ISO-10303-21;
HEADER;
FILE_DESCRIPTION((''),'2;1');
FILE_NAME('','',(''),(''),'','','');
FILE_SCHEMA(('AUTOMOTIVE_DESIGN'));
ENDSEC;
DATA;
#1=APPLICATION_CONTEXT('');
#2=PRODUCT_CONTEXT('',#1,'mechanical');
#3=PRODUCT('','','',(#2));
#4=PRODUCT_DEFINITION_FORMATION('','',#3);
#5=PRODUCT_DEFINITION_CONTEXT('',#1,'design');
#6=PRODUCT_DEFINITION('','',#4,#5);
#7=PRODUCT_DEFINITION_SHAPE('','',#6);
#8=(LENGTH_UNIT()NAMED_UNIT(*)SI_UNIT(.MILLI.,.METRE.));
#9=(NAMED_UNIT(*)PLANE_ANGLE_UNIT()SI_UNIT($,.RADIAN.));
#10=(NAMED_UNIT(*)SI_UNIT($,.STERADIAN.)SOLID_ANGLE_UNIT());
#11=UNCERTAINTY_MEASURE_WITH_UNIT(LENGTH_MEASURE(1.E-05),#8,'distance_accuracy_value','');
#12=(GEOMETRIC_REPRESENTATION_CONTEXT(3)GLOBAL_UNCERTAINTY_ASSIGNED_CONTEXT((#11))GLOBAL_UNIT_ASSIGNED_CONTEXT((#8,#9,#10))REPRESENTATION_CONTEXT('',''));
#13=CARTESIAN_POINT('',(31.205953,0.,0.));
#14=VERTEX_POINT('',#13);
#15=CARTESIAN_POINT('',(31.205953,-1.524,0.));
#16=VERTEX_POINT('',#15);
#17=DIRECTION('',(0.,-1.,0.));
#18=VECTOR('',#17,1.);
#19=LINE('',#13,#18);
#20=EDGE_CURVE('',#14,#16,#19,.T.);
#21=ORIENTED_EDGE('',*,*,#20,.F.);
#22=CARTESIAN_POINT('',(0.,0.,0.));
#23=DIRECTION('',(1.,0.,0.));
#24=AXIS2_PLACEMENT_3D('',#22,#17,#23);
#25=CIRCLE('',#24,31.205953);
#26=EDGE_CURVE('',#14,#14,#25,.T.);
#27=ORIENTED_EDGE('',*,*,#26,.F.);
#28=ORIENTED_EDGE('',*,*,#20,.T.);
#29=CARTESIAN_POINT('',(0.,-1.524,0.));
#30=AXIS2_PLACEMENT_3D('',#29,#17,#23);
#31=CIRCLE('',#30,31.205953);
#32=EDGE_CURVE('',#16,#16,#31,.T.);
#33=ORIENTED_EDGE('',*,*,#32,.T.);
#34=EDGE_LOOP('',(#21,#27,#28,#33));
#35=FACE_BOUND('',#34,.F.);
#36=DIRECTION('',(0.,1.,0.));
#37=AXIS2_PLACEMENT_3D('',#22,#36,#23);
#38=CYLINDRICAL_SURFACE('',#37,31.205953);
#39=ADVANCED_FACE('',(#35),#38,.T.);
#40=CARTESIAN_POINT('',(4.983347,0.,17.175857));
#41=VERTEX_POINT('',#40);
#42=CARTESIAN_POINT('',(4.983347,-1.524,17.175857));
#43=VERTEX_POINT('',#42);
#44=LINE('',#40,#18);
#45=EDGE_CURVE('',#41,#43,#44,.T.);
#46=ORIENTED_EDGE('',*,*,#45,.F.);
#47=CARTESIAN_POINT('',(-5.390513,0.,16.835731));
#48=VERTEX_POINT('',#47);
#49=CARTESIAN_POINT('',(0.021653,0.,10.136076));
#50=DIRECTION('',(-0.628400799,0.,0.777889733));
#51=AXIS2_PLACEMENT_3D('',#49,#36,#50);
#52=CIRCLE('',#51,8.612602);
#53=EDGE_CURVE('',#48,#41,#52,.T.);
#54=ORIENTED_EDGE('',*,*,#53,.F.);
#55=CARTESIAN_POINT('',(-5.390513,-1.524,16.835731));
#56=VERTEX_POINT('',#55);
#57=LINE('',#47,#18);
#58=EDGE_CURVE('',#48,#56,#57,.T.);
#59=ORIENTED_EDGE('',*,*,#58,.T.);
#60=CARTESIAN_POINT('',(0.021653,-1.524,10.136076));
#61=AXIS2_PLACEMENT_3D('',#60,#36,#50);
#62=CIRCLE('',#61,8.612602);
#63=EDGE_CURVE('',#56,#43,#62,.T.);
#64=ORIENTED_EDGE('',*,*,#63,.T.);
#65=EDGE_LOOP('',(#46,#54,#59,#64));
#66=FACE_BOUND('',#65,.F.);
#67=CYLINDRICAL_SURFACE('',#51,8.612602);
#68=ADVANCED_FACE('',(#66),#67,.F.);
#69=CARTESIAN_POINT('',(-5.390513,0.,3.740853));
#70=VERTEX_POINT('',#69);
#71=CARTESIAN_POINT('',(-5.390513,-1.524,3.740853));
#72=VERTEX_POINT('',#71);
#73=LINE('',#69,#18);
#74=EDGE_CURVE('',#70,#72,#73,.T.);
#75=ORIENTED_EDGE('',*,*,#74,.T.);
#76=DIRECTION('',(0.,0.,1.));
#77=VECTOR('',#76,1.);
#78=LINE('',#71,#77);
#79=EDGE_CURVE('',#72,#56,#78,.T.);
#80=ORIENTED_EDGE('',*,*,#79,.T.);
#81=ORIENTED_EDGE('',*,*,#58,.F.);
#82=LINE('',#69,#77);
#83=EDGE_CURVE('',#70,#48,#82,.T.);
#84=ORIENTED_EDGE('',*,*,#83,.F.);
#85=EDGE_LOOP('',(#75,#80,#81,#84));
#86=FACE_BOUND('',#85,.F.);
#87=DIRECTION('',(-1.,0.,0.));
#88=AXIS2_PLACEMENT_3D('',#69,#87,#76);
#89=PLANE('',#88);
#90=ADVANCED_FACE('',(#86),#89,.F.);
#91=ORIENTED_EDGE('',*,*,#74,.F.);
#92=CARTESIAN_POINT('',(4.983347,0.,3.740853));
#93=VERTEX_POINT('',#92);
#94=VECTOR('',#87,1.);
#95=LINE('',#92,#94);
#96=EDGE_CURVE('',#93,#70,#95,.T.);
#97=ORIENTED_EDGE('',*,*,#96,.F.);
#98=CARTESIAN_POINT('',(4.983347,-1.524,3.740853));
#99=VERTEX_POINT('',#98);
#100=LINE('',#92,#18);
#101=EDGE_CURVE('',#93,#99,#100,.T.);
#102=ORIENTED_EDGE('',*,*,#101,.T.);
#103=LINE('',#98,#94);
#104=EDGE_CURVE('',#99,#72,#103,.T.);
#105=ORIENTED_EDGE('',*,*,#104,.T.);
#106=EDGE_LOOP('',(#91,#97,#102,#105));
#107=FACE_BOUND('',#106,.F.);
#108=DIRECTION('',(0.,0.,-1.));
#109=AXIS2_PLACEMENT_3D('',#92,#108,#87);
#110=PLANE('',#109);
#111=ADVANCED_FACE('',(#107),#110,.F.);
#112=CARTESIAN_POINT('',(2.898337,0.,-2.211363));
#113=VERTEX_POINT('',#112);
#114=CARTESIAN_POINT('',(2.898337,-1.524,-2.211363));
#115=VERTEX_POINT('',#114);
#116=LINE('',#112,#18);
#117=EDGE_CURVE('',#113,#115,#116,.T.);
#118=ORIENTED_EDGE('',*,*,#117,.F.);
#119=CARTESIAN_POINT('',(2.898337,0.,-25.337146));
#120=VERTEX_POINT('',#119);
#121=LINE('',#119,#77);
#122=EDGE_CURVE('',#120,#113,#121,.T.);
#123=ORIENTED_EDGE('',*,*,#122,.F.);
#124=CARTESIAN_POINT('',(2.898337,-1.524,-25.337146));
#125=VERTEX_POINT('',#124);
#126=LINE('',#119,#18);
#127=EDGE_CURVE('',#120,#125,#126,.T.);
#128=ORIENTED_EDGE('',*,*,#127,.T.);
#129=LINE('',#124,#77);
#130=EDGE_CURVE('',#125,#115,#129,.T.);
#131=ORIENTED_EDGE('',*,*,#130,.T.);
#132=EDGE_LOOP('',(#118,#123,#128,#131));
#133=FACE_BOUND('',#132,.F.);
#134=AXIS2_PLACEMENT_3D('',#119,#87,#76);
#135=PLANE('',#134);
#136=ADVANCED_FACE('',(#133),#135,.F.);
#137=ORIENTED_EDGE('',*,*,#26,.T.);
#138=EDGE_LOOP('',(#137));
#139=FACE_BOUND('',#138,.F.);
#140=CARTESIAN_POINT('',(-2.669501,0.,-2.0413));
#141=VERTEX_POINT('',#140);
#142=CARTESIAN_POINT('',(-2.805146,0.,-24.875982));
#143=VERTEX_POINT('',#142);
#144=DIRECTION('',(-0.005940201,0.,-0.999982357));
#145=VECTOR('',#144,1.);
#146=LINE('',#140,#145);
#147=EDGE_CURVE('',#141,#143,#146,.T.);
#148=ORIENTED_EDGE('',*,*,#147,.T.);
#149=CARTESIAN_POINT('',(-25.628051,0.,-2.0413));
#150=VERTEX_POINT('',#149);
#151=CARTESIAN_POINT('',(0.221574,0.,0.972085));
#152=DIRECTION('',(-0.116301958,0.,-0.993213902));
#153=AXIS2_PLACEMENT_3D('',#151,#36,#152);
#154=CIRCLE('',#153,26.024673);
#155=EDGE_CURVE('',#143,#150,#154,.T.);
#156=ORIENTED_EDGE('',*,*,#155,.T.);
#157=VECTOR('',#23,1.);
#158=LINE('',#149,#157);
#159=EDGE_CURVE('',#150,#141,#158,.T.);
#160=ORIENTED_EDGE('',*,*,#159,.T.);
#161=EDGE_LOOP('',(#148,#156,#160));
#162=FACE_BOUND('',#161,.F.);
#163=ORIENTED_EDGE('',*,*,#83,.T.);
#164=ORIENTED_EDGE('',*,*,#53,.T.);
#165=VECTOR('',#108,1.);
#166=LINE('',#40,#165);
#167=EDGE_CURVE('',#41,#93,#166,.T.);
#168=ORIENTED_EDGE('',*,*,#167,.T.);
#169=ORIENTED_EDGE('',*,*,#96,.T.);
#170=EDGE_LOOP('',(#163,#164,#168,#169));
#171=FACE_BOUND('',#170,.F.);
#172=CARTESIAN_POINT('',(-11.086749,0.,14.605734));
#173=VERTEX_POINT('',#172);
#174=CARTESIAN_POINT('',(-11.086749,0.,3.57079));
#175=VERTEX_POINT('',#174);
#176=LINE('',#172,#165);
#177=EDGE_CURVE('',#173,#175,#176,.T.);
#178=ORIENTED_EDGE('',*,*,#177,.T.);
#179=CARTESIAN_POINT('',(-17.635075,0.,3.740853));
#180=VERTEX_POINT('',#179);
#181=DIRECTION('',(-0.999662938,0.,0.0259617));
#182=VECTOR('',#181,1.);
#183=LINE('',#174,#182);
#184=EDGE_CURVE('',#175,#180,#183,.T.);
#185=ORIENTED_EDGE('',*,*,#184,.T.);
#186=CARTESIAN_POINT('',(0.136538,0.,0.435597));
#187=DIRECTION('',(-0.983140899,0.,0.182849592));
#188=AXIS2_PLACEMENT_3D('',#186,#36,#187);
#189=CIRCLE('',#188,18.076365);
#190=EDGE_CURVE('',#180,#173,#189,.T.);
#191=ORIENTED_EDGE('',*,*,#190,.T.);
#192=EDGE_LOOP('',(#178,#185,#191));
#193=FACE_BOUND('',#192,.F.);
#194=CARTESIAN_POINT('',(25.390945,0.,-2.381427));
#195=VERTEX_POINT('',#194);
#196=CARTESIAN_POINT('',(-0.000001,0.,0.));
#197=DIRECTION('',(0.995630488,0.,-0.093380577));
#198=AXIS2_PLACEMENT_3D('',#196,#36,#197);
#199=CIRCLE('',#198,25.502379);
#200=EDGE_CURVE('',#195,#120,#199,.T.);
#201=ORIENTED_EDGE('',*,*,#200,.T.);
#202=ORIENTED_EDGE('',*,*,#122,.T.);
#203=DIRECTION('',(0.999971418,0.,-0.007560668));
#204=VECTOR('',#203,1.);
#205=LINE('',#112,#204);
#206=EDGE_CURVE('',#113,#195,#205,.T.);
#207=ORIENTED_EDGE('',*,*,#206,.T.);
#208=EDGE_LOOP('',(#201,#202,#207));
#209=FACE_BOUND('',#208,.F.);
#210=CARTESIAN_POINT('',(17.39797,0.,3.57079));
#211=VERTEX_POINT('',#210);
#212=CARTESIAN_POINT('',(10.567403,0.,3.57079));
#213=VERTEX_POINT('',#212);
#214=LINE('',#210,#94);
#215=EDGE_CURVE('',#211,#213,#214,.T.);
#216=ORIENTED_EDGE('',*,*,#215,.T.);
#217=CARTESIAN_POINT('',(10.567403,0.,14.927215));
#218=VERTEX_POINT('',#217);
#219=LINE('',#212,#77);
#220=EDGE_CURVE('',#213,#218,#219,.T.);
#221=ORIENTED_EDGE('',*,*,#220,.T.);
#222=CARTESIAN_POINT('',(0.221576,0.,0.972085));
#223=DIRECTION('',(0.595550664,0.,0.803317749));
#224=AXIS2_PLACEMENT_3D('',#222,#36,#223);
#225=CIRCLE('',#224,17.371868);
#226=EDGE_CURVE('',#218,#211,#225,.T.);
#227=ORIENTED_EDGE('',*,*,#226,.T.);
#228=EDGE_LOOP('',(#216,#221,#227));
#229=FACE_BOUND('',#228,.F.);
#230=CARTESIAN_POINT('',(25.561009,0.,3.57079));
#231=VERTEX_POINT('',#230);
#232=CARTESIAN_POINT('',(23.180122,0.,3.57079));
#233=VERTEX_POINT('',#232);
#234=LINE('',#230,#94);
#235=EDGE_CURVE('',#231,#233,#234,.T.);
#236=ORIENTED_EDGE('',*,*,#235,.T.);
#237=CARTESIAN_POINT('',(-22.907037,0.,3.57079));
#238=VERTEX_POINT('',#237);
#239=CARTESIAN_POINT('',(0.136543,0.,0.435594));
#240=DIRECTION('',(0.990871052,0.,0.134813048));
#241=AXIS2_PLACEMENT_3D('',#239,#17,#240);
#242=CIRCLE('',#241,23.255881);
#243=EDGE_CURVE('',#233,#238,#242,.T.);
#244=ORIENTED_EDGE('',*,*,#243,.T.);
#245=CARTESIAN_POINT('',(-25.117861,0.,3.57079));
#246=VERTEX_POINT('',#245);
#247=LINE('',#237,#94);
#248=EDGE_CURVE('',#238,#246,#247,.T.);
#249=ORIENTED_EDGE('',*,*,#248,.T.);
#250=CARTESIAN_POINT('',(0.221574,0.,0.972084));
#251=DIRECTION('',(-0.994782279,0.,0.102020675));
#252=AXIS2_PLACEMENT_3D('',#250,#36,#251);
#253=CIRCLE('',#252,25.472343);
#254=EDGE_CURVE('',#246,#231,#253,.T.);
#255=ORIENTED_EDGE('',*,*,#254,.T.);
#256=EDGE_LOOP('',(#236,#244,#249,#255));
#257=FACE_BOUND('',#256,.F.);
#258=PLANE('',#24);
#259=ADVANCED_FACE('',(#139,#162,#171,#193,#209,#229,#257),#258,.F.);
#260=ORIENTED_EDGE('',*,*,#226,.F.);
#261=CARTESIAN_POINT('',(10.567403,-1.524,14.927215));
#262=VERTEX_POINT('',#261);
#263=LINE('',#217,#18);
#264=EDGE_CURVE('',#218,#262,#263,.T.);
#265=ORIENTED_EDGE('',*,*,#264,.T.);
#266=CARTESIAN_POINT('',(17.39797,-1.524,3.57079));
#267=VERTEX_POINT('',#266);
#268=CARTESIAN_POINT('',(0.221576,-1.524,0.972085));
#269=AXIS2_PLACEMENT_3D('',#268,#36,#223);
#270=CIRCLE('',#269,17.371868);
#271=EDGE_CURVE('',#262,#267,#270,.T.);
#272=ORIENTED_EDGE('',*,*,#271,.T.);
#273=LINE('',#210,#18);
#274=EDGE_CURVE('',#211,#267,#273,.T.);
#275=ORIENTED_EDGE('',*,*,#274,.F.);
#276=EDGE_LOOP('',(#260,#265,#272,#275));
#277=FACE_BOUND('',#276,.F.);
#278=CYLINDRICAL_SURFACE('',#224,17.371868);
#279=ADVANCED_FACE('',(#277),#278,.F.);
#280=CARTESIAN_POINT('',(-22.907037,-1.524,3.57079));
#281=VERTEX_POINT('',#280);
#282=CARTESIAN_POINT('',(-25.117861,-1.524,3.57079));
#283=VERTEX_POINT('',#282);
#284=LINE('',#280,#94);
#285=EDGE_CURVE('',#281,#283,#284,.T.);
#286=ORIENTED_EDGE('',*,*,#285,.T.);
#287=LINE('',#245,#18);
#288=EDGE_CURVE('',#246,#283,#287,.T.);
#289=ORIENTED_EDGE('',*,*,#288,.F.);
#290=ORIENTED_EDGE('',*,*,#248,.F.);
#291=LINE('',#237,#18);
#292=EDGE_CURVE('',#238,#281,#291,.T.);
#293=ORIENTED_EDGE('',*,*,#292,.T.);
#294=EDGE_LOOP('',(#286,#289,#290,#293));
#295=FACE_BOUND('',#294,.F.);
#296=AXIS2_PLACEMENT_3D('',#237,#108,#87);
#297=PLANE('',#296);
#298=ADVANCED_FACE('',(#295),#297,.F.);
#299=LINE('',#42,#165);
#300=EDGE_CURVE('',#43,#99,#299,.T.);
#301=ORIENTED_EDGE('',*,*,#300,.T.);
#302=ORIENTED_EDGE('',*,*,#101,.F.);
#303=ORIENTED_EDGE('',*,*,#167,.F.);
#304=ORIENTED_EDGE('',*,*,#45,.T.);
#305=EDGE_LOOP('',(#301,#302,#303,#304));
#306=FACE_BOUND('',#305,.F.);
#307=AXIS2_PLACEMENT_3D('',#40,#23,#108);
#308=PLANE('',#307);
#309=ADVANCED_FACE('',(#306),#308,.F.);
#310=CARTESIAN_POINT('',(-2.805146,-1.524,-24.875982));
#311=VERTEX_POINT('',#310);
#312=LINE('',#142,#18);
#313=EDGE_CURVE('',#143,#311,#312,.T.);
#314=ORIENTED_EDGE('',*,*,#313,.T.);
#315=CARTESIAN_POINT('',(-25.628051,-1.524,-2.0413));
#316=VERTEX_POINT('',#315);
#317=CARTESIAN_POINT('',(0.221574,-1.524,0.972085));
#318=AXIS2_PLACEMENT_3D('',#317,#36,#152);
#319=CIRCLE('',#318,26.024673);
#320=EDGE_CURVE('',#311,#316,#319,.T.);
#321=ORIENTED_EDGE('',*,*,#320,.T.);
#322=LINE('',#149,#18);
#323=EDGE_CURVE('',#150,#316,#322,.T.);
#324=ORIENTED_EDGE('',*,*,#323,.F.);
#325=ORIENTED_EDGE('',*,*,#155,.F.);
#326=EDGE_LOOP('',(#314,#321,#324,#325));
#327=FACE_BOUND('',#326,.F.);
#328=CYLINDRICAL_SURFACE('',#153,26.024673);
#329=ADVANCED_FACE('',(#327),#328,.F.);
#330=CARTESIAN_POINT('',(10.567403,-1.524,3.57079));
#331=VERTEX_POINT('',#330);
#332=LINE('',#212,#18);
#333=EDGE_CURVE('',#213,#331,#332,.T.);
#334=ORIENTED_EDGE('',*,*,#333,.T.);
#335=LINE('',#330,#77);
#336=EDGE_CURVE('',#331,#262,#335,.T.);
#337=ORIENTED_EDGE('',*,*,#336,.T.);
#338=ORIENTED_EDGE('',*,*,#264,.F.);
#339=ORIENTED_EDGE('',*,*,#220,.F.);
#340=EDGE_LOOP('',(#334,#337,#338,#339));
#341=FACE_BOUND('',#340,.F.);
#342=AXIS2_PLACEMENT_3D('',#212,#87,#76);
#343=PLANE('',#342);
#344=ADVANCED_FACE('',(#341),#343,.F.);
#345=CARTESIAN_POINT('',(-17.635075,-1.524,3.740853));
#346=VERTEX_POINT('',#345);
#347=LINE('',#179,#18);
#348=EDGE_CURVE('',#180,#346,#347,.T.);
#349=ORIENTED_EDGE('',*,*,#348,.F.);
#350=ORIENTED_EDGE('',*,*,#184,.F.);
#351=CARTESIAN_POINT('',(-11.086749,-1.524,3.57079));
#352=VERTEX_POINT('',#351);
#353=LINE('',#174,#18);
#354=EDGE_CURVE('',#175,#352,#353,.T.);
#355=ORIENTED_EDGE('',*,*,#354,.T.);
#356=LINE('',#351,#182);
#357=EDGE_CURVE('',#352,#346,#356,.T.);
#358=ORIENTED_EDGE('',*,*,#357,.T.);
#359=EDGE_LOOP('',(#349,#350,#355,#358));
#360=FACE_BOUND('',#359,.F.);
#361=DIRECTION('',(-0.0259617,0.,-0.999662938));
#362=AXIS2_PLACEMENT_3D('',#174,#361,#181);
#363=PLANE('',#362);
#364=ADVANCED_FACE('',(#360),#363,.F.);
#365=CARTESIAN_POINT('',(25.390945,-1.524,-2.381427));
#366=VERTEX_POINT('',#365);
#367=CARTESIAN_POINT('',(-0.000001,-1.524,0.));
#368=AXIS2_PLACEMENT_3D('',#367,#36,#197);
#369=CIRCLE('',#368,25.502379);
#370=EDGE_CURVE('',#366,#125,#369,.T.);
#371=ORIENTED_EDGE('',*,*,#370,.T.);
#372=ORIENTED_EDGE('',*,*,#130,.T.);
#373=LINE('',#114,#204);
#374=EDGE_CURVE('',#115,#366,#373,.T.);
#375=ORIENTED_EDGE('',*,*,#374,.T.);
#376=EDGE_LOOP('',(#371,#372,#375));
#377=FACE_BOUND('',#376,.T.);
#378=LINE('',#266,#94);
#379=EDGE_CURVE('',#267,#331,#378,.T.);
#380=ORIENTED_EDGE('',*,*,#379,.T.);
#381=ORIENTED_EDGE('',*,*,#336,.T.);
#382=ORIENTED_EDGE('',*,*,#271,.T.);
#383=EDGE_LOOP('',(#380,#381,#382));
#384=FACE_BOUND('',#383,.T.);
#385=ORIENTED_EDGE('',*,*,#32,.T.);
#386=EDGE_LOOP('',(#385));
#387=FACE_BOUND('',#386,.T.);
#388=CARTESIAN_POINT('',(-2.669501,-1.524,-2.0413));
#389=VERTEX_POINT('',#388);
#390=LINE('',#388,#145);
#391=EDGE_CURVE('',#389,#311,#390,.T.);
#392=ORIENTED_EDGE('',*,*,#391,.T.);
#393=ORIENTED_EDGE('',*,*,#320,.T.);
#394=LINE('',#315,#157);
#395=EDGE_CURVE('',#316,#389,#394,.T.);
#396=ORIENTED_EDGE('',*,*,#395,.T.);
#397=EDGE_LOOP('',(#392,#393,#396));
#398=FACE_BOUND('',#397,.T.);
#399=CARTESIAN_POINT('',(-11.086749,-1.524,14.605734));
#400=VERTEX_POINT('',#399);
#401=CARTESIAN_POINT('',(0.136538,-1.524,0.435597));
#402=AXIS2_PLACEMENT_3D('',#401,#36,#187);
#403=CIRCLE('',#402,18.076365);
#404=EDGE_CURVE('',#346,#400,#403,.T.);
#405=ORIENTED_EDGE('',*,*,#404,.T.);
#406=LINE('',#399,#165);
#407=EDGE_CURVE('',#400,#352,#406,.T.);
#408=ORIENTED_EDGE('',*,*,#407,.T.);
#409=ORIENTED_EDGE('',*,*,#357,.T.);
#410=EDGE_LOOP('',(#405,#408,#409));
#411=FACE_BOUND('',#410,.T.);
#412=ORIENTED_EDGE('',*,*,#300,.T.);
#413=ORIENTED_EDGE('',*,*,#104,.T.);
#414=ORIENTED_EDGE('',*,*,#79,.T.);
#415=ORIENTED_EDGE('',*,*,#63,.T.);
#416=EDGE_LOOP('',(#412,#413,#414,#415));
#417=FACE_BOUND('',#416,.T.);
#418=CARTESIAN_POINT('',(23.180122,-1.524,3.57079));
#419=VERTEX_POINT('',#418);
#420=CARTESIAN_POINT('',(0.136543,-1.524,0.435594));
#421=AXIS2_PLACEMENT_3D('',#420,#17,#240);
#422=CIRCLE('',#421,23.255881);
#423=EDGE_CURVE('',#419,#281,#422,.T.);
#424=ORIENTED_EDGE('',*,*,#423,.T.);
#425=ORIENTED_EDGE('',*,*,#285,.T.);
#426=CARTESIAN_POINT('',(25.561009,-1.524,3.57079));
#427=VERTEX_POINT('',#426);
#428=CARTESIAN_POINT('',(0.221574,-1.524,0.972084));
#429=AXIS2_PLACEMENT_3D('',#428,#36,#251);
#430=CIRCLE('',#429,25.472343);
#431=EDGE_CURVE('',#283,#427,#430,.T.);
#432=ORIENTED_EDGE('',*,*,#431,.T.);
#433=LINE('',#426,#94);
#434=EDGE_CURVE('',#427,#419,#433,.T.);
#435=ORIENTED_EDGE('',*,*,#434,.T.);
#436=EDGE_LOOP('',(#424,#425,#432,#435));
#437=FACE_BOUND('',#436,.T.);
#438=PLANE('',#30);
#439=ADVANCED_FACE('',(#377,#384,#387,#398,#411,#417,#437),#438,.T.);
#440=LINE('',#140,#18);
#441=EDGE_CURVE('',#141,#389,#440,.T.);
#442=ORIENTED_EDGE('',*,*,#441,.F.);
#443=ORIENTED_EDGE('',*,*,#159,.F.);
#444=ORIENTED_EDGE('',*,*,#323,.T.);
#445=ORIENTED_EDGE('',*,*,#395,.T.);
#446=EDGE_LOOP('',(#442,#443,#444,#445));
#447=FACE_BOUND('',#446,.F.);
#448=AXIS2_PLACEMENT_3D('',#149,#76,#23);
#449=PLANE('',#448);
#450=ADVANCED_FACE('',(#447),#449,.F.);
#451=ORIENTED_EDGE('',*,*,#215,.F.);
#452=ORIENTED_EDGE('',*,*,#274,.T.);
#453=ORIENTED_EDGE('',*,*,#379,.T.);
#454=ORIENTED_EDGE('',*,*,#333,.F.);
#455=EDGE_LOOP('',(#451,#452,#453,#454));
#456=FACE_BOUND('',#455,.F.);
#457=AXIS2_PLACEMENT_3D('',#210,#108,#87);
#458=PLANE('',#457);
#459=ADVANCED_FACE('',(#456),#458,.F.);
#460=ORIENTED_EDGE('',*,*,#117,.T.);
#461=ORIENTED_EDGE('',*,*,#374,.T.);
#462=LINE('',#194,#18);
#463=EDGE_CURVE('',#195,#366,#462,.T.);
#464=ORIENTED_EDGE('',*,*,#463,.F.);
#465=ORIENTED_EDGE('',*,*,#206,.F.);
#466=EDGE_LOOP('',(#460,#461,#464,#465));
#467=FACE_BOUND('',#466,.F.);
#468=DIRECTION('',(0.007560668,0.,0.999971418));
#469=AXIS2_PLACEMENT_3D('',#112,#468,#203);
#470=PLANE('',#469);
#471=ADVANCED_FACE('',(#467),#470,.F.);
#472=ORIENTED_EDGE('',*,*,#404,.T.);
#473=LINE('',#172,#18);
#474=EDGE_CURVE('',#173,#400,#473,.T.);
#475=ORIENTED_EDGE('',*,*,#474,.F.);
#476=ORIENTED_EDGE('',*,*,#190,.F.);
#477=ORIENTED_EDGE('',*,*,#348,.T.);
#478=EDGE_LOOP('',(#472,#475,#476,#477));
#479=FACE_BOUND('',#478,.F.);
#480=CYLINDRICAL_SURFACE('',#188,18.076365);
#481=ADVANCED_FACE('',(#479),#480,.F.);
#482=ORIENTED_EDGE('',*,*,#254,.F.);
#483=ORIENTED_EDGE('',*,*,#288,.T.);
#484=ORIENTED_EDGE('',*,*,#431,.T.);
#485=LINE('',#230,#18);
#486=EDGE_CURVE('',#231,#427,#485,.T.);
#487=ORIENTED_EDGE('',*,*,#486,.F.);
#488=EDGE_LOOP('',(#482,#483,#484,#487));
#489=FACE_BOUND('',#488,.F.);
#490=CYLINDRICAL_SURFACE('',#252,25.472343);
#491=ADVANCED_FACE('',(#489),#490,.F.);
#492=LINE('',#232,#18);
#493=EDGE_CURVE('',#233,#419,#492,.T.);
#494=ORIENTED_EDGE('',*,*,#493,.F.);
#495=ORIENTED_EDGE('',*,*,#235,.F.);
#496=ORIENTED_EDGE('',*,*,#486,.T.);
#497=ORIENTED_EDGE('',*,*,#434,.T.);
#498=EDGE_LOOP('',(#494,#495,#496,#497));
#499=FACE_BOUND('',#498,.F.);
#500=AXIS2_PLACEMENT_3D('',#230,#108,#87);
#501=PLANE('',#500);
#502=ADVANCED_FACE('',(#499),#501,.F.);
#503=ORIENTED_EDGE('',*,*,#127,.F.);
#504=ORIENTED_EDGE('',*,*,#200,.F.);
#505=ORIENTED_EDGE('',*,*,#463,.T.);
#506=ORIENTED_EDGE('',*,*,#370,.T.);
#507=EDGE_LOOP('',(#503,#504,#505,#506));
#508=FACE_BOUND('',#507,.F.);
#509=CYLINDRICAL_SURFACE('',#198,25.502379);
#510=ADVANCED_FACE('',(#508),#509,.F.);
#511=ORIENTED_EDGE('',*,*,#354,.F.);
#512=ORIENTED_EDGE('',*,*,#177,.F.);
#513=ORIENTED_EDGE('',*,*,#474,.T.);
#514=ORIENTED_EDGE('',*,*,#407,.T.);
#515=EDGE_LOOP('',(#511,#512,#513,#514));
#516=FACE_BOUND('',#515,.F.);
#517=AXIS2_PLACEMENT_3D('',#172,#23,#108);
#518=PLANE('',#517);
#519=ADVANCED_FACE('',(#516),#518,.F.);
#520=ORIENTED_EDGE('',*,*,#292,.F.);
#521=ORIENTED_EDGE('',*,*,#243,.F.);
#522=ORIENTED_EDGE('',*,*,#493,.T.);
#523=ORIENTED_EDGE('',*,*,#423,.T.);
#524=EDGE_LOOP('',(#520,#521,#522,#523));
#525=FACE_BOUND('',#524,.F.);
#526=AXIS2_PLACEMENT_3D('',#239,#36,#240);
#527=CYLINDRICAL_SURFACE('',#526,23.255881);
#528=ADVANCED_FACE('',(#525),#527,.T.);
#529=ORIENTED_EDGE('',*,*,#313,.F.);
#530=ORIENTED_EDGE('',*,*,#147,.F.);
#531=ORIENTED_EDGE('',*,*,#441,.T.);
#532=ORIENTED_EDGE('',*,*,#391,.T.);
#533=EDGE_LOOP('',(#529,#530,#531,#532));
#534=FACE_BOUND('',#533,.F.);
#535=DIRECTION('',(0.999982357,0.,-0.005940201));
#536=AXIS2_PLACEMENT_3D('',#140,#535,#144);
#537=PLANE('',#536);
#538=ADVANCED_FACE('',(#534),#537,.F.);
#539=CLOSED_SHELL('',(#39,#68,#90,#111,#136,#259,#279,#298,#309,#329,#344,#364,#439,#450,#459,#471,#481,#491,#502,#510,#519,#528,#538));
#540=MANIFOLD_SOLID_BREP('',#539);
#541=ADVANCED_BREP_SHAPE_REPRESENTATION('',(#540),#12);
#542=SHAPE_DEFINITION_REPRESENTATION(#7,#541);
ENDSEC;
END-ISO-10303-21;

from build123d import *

# Parameters (mm, degrees)
F0_R     = 31.205953
F1_DEPTH = 1.524


with BuildPart() as f1:
    # F0 (on Front) → F1 (new body)
    with BuildSketch(Plane.XZ):
        Circle(F0_R)
        with BuildLine():
            ThreePointArc((-2.805146, -24.875982), (-18.185395, -17.42539), (-25.628051, -2.0413))
            Line((-25.628051, -2.0413), (-2.669501, -2.0413))
            Line((-2.669501, -2.0413), (-2.805146, -24.875982))
        make_face(mode=Mode.SUBTRACT)
        with BuildLine():
            Line((2.898337, -2.211363), (25.390945, -2.381427))
            ThreePointArc((25.390945, -2.381427), (18.215711, -17.848226), (2.898337, -25.337146))
            Line((2.898337, -25.337146), (2.898337, -2.211363))
        make_face(mode=Mode.SUBTRACT)
        with BuildLine():
            Line((-11.086749, 3.57079), (-17.635075, 3.740853))
            ThreePointArc((-17.635075, 3.740853), (-15.345305, 9.766593), (-11.086749, 14.605734))
            Line((-11.086749, 14.605734), (-11.086749, 3.57079))
        make_face(mode=Mode.SUBTRACT)
        with BuildLine():
            Line((4.983347, 3.740853), (-5.390513, 3.740853))
            Line((-5.390513, 3.740853), (-5.390513, 16.835731))
            ThreePointArc((-5.390513, 16.835731), (-0.260575, 18.744053), (4.983347, 17.175857))
            Line((4.983347, 17.175857), (4.983347, 3.740853))
        make_face(mode=Mode.SUBTRACT)
        with BuildLine():
            ThreePointArc((-25.117861, 3.57079), (0.221574, 26.444427), (25.561009, 3.57079))
            Line((25.561009, 3.57079), (23.180122, 3.57079))
            ThreePointArc((23.180122, 3.57079), (0.136542, 23.691475), (-22.907037, 3.57079))
            Line((-22.907037, 3.57079), (-25.117861, 3.57079))
        make_face(mode=Mode.SUBTRACT)
        with BuildLine():
            ThreePointArc((10.567403, 14.927215), (15.108156, 9.92594), (17.39797, 3.57079))
            Line((17.39797, 3.57079), (10.567403, 3.57079))
            Line((10.567403, 3.57079), (10.567403, 14.927215))
        make_face(mode=Mode.SUBTRACT)
    extrude(amount=F1_DEPTH)


solid = f1.part
